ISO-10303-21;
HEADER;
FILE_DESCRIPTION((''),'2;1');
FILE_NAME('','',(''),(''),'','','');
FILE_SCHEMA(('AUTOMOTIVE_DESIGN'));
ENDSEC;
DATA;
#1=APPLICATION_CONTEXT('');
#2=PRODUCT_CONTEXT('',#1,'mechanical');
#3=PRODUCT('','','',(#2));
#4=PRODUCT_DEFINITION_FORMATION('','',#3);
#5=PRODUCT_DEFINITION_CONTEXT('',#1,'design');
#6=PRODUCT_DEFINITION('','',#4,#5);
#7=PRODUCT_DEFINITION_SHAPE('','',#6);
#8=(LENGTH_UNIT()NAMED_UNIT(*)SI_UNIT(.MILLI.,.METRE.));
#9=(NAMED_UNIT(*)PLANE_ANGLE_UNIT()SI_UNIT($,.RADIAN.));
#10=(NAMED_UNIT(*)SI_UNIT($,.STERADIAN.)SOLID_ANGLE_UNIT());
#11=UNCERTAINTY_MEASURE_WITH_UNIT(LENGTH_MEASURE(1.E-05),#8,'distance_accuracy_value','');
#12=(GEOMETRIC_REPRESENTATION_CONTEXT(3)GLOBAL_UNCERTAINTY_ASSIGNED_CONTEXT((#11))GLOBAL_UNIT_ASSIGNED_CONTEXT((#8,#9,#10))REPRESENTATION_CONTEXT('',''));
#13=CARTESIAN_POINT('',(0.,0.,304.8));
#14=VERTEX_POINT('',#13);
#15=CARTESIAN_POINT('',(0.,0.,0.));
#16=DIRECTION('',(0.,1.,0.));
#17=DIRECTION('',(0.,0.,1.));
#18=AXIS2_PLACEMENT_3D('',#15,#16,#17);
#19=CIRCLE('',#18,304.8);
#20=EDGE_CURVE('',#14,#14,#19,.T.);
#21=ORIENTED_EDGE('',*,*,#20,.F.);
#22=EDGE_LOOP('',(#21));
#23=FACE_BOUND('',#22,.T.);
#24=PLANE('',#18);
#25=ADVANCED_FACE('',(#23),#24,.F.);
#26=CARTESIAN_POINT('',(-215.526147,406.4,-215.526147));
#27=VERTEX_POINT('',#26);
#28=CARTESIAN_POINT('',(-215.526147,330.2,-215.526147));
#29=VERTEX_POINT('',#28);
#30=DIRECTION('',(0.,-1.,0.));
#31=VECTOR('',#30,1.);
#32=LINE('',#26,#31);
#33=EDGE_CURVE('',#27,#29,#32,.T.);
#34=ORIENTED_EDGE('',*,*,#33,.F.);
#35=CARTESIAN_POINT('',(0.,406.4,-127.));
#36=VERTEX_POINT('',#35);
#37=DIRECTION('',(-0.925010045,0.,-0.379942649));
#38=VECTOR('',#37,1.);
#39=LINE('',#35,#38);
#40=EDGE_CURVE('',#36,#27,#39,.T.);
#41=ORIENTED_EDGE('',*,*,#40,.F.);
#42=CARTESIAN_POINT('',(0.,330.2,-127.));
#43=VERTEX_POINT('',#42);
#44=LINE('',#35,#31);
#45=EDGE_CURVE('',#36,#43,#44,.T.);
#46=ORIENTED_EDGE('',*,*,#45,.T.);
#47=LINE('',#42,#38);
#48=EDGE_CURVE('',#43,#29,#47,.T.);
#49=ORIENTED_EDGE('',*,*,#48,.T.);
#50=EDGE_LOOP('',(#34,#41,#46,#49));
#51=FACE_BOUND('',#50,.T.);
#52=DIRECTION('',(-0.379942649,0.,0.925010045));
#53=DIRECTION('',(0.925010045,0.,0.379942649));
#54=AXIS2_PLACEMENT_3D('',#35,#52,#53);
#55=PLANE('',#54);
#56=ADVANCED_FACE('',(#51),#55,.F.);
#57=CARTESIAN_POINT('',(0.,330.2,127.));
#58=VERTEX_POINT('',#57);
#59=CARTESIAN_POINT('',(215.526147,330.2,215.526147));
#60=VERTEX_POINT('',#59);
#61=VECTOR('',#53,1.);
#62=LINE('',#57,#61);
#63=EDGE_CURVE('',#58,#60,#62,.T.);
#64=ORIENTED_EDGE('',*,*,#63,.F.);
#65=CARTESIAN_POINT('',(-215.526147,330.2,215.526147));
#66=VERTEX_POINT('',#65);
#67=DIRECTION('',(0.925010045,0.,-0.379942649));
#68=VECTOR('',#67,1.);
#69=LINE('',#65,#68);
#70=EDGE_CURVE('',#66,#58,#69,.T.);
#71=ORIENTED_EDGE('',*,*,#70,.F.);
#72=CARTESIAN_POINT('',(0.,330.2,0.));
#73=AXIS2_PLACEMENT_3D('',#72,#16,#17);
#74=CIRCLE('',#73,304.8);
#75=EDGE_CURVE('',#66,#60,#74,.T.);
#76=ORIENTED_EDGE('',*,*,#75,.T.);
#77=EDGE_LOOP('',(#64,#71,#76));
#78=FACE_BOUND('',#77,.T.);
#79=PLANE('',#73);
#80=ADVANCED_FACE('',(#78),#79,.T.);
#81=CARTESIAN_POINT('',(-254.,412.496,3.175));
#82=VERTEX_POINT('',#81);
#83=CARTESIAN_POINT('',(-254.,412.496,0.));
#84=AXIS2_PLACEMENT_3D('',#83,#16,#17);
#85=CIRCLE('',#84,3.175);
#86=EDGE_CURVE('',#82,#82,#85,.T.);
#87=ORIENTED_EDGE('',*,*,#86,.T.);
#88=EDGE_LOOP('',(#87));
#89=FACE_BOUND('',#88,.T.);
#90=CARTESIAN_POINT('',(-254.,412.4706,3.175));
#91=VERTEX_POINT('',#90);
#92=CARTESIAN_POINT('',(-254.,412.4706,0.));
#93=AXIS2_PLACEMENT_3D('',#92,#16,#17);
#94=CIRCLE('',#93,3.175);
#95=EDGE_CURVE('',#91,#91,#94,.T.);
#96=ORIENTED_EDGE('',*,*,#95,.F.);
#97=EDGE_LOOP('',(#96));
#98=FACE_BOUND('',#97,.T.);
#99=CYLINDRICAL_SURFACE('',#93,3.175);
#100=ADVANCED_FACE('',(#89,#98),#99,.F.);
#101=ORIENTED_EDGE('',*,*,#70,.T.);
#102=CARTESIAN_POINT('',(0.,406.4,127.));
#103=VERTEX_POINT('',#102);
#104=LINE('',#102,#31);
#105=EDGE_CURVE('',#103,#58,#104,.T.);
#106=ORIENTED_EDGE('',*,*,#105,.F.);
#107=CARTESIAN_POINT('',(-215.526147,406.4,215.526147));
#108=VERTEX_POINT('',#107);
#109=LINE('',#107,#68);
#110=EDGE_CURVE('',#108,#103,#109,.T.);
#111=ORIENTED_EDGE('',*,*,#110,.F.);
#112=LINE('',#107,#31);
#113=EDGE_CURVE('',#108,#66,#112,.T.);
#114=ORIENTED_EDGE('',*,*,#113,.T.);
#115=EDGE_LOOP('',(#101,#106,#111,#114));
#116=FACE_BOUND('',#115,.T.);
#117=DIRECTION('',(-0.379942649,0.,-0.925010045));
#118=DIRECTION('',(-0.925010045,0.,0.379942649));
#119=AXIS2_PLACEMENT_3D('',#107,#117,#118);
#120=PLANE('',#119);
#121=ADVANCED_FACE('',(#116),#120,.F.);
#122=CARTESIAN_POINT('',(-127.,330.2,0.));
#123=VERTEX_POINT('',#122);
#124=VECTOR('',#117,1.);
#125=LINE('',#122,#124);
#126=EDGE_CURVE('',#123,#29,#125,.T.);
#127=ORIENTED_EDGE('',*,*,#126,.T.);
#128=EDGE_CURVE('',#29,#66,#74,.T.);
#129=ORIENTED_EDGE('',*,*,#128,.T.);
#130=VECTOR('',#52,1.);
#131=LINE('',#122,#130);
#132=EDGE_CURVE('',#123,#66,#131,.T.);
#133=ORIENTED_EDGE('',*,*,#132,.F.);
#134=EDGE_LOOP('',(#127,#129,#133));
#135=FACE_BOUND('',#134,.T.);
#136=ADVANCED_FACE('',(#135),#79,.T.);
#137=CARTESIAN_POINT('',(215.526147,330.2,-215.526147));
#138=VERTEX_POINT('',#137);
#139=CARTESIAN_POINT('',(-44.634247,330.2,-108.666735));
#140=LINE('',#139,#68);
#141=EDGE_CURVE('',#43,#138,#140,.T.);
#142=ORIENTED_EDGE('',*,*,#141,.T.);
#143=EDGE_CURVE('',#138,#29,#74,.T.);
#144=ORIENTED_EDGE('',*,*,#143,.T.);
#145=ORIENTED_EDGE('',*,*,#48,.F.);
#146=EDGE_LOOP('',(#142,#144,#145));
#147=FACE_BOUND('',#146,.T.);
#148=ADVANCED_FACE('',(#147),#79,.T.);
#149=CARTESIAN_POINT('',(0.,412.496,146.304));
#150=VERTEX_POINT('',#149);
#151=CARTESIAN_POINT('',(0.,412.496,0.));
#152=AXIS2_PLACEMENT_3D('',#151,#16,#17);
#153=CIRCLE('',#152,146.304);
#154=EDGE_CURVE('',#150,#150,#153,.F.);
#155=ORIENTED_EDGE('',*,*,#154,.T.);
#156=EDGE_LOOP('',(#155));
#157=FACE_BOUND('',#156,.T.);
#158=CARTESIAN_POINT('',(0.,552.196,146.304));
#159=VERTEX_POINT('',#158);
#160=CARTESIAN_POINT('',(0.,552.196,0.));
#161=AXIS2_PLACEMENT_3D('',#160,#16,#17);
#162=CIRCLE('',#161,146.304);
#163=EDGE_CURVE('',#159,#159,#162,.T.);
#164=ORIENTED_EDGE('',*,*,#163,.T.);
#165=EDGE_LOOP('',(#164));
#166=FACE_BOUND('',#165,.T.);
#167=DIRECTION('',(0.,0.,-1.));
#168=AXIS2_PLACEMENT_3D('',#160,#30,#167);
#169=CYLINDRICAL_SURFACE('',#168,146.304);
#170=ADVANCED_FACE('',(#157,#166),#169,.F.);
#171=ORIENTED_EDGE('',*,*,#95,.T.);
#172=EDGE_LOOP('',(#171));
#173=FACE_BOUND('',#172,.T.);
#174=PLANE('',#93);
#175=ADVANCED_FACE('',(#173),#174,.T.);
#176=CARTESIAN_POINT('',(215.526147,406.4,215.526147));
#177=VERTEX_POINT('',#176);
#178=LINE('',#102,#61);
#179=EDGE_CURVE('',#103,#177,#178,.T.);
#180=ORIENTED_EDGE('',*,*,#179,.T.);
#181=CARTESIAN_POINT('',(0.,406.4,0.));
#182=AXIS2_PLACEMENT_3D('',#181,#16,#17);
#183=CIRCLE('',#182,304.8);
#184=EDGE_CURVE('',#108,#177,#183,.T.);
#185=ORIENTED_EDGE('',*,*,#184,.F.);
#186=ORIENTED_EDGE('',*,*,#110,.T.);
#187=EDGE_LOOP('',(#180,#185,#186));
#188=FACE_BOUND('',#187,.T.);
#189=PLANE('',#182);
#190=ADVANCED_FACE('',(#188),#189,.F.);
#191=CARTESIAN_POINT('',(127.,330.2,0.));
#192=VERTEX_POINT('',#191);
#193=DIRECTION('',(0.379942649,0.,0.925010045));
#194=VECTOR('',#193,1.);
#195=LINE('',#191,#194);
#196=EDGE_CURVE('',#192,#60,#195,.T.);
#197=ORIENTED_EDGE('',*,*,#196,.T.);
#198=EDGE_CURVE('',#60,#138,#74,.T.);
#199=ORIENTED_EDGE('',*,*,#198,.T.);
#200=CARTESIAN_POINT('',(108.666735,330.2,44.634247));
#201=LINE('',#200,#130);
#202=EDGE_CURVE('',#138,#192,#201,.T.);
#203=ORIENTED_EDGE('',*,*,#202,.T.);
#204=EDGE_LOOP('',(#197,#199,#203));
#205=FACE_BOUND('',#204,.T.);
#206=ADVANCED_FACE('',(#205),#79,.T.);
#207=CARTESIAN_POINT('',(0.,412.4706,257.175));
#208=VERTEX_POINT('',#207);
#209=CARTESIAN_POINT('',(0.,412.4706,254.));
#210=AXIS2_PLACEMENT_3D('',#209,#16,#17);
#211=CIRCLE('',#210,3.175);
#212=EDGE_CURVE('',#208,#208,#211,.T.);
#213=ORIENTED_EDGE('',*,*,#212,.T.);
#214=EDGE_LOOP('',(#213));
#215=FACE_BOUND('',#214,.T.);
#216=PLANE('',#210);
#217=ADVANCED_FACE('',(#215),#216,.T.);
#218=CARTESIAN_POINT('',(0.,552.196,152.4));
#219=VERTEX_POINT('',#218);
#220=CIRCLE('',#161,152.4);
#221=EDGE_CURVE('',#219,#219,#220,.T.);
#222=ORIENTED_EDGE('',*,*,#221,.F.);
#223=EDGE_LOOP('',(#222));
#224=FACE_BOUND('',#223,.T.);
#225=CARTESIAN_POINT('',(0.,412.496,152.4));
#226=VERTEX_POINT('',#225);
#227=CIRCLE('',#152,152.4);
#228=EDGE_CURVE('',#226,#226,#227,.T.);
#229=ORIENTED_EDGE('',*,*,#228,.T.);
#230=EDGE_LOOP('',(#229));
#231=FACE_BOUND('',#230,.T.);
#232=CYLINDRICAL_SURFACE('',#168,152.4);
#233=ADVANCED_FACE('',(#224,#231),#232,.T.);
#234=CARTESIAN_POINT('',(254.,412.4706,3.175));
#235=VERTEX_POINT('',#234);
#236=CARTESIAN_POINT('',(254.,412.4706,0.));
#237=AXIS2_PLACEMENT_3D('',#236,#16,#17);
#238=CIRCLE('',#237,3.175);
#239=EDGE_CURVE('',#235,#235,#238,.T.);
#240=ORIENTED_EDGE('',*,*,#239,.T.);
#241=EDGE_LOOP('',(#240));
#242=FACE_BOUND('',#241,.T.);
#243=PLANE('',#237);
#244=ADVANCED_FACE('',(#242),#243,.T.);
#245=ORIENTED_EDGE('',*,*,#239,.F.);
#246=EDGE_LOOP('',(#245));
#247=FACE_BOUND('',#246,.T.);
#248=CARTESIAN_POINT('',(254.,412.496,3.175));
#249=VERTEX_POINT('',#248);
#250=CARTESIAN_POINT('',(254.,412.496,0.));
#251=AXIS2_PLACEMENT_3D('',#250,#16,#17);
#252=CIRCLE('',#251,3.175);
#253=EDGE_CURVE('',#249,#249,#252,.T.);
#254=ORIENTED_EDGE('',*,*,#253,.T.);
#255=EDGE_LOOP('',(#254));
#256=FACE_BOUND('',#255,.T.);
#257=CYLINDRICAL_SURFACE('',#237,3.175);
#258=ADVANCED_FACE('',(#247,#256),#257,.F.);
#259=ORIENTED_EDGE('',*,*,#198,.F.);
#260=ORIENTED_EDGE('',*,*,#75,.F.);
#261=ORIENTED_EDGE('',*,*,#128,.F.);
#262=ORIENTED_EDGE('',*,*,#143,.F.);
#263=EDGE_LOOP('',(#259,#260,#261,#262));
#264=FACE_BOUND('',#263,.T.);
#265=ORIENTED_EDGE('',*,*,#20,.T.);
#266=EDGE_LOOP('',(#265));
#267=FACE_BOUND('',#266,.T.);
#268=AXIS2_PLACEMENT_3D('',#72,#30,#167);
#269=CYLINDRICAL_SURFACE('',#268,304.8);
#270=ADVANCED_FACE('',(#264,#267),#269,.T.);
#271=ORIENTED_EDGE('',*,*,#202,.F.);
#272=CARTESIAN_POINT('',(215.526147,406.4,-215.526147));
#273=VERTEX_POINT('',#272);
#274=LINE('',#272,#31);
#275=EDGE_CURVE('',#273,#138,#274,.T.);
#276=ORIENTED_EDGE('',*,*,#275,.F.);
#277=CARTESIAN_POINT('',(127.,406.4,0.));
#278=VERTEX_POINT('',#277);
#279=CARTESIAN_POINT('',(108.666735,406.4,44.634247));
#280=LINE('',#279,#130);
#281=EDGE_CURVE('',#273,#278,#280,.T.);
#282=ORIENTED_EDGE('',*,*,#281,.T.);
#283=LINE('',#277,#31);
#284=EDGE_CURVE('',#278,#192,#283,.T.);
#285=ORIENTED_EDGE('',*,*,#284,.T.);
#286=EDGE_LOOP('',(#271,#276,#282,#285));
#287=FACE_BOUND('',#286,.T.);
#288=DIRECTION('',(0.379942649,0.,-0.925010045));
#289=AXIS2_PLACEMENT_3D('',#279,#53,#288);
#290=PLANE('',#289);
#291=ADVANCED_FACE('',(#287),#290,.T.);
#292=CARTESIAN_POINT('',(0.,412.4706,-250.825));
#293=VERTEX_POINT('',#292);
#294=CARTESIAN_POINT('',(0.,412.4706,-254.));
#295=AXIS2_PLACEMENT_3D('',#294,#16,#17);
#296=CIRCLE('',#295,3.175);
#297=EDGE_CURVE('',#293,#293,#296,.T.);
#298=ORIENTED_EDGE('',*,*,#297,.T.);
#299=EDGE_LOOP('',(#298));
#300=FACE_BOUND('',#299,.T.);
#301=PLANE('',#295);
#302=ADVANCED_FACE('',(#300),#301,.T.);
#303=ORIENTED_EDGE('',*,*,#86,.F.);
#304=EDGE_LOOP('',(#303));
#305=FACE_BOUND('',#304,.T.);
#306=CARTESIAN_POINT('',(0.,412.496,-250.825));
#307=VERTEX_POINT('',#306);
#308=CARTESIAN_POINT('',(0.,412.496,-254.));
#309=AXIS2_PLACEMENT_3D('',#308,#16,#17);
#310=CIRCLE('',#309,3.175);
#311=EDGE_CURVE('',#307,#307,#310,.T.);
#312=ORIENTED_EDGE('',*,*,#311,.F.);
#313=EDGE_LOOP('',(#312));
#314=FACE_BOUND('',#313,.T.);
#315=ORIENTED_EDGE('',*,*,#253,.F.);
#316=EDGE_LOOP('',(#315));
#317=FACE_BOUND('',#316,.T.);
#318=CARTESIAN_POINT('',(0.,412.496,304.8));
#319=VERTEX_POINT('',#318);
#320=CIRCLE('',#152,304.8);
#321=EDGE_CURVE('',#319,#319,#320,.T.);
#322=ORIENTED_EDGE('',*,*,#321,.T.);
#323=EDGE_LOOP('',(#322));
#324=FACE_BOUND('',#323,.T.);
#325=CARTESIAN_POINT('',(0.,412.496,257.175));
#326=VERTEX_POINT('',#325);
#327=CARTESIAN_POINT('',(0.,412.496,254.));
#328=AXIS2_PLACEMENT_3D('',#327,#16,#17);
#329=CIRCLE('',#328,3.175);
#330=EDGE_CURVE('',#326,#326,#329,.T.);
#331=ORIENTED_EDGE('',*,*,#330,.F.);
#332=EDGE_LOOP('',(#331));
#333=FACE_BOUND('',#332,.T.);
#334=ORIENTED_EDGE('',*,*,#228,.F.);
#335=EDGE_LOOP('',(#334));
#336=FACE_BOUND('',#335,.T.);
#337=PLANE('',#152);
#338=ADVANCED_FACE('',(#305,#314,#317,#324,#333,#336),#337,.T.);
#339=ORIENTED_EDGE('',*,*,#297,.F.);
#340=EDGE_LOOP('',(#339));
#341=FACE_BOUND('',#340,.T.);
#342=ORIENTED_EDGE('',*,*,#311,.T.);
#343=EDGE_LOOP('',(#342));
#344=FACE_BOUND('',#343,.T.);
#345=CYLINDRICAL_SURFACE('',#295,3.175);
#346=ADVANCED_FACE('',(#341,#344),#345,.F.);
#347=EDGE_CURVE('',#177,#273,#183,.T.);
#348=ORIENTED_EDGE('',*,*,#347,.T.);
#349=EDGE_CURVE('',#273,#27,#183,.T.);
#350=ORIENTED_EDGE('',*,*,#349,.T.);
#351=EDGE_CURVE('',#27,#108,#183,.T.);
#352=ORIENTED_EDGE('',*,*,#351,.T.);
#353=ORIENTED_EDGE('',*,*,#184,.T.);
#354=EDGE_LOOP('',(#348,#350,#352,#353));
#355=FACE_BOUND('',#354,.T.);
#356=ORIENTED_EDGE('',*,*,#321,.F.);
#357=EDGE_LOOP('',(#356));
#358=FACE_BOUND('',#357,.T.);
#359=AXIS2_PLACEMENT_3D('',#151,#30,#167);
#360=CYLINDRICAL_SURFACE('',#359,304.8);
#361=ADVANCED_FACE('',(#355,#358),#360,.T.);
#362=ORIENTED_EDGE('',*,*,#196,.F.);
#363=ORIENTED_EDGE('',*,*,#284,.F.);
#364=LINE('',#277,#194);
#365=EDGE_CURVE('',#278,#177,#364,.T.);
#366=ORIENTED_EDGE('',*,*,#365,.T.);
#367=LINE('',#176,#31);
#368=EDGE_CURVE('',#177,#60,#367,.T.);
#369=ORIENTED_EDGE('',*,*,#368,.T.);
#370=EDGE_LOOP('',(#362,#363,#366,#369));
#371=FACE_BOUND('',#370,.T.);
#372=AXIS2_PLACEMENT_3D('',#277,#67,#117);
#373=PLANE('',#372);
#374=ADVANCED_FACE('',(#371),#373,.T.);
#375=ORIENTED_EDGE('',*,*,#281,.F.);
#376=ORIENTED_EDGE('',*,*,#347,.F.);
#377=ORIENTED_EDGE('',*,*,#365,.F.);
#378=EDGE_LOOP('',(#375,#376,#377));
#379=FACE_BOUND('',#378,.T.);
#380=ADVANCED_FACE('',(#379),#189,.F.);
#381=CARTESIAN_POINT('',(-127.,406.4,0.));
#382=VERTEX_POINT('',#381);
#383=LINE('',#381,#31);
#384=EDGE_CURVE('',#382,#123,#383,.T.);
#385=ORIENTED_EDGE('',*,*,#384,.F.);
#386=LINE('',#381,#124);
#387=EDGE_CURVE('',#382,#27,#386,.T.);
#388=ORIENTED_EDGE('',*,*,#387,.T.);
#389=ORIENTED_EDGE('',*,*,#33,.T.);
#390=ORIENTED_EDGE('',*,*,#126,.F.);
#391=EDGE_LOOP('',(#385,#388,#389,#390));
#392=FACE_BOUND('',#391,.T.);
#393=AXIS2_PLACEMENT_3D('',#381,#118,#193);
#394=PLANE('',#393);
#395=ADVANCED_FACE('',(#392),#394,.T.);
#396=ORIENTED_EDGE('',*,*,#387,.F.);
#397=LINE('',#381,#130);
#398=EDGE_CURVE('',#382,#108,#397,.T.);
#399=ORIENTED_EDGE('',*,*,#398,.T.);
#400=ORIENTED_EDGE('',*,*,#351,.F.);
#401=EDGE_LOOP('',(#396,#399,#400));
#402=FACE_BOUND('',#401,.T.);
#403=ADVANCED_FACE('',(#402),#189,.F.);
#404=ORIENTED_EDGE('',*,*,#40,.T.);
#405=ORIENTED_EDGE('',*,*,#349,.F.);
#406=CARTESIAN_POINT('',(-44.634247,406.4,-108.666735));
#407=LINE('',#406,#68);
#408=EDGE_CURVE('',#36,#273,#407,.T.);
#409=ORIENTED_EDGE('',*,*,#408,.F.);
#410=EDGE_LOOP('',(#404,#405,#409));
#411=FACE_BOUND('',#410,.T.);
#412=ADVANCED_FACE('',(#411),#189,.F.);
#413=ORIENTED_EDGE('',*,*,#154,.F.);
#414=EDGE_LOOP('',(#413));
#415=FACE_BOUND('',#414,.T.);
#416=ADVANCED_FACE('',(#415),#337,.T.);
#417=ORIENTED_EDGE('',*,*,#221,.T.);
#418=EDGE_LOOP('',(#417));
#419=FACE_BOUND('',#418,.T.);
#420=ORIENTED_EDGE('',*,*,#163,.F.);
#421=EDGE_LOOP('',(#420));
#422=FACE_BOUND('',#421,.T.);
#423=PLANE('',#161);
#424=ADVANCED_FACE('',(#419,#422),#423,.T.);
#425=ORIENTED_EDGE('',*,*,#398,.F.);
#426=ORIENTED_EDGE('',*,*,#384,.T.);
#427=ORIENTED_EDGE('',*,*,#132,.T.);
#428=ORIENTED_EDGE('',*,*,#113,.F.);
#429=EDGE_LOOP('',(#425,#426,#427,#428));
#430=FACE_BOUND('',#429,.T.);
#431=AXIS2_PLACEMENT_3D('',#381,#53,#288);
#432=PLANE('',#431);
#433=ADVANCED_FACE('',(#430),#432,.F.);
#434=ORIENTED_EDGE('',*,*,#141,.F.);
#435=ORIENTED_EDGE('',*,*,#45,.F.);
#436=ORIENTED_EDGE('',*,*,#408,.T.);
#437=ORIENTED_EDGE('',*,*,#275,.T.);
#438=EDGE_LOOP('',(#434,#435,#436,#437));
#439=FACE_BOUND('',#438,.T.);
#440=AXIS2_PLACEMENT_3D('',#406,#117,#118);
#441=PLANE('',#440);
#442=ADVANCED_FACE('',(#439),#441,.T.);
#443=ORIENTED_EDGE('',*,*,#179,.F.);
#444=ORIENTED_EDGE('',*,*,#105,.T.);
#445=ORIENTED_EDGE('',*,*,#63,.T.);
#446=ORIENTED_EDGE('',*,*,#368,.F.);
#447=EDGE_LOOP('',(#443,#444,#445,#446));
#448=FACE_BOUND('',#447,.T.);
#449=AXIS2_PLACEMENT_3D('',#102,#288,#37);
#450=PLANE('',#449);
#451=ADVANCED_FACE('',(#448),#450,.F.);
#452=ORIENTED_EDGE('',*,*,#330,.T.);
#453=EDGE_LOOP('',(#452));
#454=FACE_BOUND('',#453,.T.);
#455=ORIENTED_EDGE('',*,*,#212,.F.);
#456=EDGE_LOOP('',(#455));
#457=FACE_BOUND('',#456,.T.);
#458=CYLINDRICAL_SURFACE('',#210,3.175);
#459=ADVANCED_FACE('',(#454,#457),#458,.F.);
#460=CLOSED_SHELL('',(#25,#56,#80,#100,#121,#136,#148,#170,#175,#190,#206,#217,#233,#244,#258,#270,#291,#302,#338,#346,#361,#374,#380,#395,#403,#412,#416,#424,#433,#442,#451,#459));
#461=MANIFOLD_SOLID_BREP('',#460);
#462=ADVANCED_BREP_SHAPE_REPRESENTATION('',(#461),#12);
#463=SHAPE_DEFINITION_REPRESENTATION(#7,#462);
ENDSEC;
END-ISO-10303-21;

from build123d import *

# Parameters (mm, degrees)
SKETCH11_R          = 304.8
BOSS_EXTRUDE5_DEPTH = 330.2
BOSS_EXTRUDE6_DEPTH = 76.2
SKETCH13_R          = 304.8
BOSS_EXTRUDE7_DEPTH = 6.096
SKETCH14_R          = 152.4
SKETCH14_R_2        = 146.304
BOSS_EXTRUDE8_DEPTH = 139.7
SKETCH16_R          = 3.175
CUT_EXTRUDE2_DEPTH  = 0.0254


with BuildPart() as part:
    # Sketch11 → Boss-Extrude5 (new body)
    with BuildSketch(Plane(origin=(0, 0, 0), x_dir=(1, 0, 0), z_dir=(0, 1, 0))):
        with Locations(Location((0, 0, 0), (0, 0, 270))):
            Circle(SKETCH11_R)
    extrude(amount=BOSS_EXTRUDE5_DEPTH)

    # Sketch12 → Boss-Extrude6 (add)
    with BuildSketch(Plane(origin=(0, 330.2, 0), x_dir=(1, 0, 0), z_dir=(0, 1, 0))):
        Polygon((-127, 0), (-215.526146906, -215.526146906), (0, -127), (215.526146906, -215.526146906), (127, 0), (215.526146906, 215.526146906), (0, 127), (-215.526146906, 215.526146906), align=None)
    extrude(amount=BOSS_EXTRUDE6_DEPTH)

    # Sketch13 → Boss-Extrude7 (add)
    with BuildSketch(Plane(origin=(0, 406.4, 0), x_dir=(1, 0, 0), z_dir=(0, 1, 0))):
        with Locations(Location((0, 0, 0), (0, 0, 135))):
            Circle(SKETCH13_R)
    extrude(amount=BOSS_EXTRUDE7_DEPTH)

    # Sketch14 → Boss-Extrude8 (add)
    with BuildSketch(Plane(origin=(0, 412.496, 0), x_dir=(1, 0, 0), z_dir=(0, 1, 0))):
        with Locations(Location((0, 0, 0), (0, 0, 270))):
            Circle(SKETCH14_R)
        with Locations(Location((0, 0, 0), (0, 0, 270))):
            Circle(SKETCH14_R_2, mode=Mode.SUBTRACT)
    extrude(amount=BOSS_EXTRUDE8_DEPTH)

    # Sketch16 → Cut-Extrude2 (cut)
    with BuildSketch(Plane(origin=(0, 412.496, 0), x_dir=(1, 0, 0), z_dir=(0, 1, 0))):
        with Locations(Location((254, 0, 0), (0, 0, 270))):
            Circle(SKETCH16_R)
        with Locations(Location((0, 254, 0), (0, 0, 270))):
            Circle(SKETCH16_R)
        with Locations(Location((0, -254, 0), (0, 0, 270))):
            Circle(SKETCH16_R)
        with Locations(Location((-254, 0, 0), (0, 0, 270))):
            Circle(SKETCH16_R)
    extrude(amount=-CUT_EXTRUDE2_DEPTH, mode=Mode.SUBTRACT)


solid = part.part
